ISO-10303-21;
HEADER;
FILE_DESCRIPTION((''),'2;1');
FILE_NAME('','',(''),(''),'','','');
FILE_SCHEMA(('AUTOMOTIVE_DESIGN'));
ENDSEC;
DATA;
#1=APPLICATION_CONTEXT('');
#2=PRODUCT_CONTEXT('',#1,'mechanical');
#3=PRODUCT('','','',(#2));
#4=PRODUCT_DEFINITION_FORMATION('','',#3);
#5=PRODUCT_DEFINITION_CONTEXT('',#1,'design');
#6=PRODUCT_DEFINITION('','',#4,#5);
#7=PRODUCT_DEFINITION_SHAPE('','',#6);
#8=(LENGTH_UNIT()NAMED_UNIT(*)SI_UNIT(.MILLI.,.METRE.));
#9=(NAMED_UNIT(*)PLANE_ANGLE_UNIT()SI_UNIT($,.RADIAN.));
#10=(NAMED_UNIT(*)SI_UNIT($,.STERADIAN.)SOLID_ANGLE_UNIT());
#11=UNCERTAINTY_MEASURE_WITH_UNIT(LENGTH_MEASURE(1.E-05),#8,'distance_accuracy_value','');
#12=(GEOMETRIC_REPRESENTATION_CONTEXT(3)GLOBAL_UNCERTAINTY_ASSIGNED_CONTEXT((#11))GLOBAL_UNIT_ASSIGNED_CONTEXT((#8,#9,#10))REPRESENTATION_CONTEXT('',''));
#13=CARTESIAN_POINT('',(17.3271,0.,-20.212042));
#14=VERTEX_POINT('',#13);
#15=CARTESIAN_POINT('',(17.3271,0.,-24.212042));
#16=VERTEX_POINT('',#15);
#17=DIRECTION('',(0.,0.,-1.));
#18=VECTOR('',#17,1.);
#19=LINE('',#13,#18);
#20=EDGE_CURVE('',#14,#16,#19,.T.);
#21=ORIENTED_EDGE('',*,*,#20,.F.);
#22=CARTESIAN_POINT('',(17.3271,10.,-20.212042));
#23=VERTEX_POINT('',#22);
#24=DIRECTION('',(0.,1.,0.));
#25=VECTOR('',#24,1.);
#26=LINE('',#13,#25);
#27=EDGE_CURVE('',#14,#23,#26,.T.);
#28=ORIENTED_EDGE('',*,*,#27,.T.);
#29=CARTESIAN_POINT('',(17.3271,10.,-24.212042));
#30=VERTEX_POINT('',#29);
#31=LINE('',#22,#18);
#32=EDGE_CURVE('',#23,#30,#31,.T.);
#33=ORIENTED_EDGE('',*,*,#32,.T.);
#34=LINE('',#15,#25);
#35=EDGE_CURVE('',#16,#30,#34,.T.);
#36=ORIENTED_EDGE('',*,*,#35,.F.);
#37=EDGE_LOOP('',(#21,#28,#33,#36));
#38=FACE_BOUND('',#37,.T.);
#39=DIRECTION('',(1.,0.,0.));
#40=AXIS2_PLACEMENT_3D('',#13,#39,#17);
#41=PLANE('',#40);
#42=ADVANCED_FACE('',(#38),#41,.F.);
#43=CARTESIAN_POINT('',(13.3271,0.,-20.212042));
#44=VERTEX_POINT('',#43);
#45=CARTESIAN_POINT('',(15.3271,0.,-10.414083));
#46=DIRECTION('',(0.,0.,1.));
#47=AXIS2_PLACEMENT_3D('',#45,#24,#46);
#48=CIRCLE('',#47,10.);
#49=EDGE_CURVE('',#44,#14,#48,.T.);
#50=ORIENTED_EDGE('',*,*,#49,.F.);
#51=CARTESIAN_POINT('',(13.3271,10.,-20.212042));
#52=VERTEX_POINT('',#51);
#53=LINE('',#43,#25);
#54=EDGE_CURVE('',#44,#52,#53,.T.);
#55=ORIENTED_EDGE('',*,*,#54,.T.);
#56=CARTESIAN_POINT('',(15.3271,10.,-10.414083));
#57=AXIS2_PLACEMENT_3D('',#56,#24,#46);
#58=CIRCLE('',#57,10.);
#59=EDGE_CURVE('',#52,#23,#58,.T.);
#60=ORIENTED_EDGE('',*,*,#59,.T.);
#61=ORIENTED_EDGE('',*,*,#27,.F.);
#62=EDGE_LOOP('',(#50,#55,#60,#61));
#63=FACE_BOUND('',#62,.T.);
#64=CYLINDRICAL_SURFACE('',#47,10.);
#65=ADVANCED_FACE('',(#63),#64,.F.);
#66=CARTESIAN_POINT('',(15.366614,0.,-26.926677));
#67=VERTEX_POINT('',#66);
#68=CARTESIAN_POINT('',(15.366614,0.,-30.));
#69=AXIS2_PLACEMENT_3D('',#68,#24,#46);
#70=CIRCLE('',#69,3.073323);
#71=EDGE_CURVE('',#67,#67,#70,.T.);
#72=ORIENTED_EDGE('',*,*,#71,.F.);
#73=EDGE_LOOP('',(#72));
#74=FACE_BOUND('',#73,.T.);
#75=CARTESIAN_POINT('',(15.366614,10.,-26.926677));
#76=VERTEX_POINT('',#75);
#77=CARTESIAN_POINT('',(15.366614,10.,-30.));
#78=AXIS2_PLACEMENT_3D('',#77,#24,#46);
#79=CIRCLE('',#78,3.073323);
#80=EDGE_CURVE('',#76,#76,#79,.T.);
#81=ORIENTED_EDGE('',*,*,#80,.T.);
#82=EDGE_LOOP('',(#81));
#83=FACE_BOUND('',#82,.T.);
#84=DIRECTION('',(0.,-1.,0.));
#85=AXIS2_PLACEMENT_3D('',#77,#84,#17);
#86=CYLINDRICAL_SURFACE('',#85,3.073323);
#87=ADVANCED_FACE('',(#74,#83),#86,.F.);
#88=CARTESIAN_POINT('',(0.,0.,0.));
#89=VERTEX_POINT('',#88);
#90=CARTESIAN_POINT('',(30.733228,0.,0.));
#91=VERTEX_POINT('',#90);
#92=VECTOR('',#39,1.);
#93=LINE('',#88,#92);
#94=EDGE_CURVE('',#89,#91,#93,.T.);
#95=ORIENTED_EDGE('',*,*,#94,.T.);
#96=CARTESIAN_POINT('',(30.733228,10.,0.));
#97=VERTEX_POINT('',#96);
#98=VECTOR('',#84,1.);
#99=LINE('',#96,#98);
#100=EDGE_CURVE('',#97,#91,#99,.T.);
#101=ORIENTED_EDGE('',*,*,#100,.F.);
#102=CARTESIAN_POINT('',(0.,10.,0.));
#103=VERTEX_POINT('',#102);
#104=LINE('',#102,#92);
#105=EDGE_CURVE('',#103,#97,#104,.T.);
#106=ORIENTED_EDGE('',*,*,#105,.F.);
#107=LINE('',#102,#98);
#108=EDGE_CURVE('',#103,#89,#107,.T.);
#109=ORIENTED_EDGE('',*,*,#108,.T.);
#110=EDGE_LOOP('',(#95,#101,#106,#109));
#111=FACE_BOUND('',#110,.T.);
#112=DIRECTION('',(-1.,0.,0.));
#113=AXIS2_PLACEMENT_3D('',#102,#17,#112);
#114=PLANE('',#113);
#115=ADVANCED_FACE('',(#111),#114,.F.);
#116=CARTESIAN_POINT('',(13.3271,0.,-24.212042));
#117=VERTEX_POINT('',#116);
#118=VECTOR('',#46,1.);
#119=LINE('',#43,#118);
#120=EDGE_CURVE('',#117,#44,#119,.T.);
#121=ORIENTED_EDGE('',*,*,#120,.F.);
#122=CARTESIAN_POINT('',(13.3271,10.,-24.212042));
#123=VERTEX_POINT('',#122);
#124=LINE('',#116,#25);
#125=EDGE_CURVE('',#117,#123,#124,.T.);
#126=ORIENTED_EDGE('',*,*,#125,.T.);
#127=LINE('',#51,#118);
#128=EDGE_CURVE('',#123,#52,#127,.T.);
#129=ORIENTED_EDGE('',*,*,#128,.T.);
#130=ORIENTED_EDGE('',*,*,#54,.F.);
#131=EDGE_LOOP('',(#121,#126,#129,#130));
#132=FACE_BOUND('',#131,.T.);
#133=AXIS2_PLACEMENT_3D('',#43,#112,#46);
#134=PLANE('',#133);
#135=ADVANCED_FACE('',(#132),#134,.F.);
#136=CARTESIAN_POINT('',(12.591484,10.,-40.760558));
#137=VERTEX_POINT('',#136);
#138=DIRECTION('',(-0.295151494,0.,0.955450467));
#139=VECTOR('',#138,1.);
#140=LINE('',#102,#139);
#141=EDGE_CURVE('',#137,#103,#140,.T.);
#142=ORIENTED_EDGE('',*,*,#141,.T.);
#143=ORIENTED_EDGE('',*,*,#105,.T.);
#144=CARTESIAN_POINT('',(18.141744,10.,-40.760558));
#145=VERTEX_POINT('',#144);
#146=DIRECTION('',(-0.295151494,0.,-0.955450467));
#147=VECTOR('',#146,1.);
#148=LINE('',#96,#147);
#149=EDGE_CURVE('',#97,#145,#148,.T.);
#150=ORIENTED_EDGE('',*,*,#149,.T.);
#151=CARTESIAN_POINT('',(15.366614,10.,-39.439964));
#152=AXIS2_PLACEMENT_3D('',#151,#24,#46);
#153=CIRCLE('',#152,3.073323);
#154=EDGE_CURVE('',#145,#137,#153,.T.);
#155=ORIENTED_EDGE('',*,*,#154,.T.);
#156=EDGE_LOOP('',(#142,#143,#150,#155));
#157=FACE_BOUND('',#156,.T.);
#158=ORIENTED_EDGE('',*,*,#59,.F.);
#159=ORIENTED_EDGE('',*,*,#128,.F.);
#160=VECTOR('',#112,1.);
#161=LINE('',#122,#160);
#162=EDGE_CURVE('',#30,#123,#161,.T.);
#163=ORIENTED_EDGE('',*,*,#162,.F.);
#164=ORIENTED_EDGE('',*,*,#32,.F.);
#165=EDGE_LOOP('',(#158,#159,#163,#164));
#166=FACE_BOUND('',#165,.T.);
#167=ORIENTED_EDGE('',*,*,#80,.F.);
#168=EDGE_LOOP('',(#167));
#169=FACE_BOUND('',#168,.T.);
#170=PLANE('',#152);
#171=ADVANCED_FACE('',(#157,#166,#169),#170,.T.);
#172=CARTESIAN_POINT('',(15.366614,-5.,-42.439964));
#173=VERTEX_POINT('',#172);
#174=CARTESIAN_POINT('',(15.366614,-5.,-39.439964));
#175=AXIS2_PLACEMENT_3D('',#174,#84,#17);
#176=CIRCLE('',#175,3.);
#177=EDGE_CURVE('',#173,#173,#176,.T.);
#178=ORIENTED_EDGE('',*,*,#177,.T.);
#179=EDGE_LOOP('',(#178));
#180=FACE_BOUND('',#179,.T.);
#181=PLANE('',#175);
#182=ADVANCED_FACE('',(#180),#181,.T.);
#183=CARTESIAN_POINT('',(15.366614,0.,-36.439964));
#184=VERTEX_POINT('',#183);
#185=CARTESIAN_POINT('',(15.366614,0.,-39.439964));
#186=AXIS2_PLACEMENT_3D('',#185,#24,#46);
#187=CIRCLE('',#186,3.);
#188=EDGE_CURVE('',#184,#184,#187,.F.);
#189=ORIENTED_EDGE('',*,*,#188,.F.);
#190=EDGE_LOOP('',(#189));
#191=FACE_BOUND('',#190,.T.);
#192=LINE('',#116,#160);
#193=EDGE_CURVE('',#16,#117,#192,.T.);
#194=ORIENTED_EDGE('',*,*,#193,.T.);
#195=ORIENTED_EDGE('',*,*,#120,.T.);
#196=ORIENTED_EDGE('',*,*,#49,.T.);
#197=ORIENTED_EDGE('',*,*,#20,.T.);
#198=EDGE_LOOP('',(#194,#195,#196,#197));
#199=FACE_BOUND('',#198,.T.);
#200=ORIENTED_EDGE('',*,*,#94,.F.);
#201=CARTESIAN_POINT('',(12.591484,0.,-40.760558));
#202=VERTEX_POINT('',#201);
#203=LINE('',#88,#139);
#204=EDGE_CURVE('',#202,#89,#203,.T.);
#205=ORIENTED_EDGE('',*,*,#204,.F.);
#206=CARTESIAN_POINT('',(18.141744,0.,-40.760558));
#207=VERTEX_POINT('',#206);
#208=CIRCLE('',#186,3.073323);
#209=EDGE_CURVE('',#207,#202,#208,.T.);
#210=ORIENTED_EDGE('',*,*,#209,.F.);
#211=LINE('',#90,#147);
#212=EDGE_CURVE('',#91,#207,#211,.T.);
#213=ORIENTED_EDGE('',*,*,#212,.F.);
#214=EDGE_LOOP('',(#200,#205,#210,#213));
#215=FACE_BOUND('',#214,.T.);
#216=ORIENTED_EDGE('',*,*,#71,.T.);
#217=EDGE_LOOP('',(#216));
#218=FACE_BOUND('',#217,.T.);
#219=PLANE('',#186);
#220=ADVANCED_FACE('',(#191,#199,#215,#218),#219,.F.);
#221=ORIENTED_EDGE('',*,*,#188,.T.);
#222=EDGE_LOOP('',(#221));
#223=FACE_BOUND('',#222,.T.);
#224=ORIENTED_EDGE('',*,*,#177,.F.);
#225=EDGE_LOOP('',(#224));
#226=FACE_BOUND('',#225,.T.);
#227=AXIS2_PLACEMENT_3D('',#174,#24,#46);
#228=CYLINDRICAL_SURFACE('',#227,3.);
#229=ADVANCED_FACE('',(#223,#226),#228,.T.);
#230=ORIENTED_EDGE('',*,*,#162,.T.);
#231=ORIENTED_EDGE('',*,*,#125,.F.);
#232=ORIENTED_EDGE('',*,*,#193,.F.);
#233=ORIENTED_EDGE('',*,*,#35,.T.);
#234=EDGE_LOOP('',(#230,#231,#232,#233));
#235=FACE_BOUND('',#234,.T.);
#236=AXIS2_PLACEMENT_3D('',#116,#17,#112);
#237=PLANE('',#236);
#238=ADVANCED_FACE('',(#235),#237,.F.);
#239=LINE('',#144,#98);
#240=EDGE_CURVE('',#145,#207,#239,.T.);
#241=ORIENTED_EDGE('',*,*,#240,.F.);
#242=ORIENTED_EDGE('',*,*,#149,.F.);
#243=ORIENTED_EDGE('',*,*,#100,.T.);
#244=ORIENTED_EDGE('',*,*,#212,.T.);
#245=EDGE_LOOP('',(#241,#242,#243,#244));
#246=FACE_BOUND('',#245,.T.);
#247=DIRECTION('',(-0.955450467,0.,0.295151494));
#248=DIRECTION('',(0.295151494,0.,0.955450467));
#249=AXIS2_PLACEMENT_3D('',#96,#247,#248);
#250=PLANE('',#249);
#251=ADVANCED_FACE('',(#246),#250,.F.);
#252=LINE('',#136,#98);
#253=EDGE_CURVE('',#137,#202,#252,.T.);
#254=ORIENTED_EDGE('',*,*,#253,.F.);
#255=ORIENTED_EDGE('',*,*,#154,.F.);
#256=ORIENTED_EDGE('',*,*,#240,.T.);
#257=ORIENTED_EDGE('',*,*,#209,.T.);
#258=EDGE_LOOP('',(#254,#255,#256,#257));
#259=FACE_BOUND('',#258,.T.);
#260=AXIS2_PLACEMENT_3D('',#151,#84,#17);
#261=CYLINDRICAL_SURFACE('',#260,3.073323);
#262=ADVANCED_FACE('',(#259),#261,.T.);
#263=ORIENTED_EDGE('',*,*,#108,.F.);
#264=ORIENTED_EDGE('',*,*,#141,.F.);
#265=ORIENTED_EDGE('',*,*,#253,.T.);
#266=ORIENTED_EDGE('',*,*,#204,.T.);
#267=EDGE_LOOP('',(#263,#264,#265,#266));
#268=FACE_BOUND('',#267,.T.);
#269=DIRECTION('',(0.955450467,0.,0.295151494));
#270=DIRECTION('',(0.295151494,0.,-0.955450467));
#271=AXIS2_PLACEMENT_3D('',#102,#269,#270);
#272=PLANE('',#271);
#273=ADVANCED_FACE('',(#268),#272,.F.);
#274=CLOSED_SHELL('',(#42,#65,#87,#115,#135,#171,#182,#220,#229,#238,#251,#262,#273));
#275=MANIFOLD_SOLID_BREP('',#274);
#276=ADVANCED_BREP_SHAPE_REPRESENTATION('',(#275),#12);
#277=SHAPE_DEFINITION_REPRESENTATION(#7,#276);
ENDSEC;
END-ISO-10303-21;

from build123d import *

# Parameters (mm, degrees)
SKETCH_1_R          = 3.073322802
EXTRUDE_1_DEPTH     = 10
SKETCH_2_R          = 3
EXTRUDE_2_DEPTH     = 5
CUT_EXTRUDE_1_DEPTH = 10


with BuildPart() as part:
    # 草图1 → 凸台-拉伸1 (new body)
    with BuildSketch(Plane(origin=(0, 0, 0), x_dir=(1, 0, 0), z_dir=(0, 1, 0))):
        with BuildLine():
            Line((0, 0), (30.73322802, 0))
            Line((30.73322802, 0), (18.141743603, 40.76055825))
            ThreePointArc((18.141743603, 40.76055825), (15.36661401, 42.513286949), (12.591484417, 40.76055825))
            Line((12.591484417, 40.76055825), (0, 0))
        make_face()
        with Locations(Location((15.36661401, 30, 0), (0, 0, 270))):
            Circle(SKETCH_1_R, mode=Mode.SUBTRACT)
    extrude(amount=EXTRUDE_1_DEPTH)

    # 草图2 → 凸台-拉伸2 (add)
    with BuildSketch(Plane.XZ):
        with Locations(Location((15.36661401, -39.439964147, 0), (0, 0, 90))):
            Circle(SKETCH_2_R)
    extrude(amount=EXTRUDE_2_DEPTH)

    # 草图3 → 切除-拉伸1 (cut)
    with BuildSketch(Plane(origin=(0, 10, 0), x_dir=(1, 0, 0), z_dir=(0, 1, 0))):
        with BuildLine():
            Line((13.327100422, 20.21204175), (13.327100422, 24.21204175))
            Line((13.327100422, 24.21204175), (17.327100422, 24.21204175))
            Line((17.327100422, 24.21204175), (17.327100422, 20.21204175))
            ThreePointArc((17.327100422, 20.21204175), (15.327100422, 0.414082779), (13.327100422, 20.21204175))
        make_face()
    extrude(amount=-CUT_EXTRUDE_1_DEPTH, mode=Mode.SUBTRACT)


solid = part.part
